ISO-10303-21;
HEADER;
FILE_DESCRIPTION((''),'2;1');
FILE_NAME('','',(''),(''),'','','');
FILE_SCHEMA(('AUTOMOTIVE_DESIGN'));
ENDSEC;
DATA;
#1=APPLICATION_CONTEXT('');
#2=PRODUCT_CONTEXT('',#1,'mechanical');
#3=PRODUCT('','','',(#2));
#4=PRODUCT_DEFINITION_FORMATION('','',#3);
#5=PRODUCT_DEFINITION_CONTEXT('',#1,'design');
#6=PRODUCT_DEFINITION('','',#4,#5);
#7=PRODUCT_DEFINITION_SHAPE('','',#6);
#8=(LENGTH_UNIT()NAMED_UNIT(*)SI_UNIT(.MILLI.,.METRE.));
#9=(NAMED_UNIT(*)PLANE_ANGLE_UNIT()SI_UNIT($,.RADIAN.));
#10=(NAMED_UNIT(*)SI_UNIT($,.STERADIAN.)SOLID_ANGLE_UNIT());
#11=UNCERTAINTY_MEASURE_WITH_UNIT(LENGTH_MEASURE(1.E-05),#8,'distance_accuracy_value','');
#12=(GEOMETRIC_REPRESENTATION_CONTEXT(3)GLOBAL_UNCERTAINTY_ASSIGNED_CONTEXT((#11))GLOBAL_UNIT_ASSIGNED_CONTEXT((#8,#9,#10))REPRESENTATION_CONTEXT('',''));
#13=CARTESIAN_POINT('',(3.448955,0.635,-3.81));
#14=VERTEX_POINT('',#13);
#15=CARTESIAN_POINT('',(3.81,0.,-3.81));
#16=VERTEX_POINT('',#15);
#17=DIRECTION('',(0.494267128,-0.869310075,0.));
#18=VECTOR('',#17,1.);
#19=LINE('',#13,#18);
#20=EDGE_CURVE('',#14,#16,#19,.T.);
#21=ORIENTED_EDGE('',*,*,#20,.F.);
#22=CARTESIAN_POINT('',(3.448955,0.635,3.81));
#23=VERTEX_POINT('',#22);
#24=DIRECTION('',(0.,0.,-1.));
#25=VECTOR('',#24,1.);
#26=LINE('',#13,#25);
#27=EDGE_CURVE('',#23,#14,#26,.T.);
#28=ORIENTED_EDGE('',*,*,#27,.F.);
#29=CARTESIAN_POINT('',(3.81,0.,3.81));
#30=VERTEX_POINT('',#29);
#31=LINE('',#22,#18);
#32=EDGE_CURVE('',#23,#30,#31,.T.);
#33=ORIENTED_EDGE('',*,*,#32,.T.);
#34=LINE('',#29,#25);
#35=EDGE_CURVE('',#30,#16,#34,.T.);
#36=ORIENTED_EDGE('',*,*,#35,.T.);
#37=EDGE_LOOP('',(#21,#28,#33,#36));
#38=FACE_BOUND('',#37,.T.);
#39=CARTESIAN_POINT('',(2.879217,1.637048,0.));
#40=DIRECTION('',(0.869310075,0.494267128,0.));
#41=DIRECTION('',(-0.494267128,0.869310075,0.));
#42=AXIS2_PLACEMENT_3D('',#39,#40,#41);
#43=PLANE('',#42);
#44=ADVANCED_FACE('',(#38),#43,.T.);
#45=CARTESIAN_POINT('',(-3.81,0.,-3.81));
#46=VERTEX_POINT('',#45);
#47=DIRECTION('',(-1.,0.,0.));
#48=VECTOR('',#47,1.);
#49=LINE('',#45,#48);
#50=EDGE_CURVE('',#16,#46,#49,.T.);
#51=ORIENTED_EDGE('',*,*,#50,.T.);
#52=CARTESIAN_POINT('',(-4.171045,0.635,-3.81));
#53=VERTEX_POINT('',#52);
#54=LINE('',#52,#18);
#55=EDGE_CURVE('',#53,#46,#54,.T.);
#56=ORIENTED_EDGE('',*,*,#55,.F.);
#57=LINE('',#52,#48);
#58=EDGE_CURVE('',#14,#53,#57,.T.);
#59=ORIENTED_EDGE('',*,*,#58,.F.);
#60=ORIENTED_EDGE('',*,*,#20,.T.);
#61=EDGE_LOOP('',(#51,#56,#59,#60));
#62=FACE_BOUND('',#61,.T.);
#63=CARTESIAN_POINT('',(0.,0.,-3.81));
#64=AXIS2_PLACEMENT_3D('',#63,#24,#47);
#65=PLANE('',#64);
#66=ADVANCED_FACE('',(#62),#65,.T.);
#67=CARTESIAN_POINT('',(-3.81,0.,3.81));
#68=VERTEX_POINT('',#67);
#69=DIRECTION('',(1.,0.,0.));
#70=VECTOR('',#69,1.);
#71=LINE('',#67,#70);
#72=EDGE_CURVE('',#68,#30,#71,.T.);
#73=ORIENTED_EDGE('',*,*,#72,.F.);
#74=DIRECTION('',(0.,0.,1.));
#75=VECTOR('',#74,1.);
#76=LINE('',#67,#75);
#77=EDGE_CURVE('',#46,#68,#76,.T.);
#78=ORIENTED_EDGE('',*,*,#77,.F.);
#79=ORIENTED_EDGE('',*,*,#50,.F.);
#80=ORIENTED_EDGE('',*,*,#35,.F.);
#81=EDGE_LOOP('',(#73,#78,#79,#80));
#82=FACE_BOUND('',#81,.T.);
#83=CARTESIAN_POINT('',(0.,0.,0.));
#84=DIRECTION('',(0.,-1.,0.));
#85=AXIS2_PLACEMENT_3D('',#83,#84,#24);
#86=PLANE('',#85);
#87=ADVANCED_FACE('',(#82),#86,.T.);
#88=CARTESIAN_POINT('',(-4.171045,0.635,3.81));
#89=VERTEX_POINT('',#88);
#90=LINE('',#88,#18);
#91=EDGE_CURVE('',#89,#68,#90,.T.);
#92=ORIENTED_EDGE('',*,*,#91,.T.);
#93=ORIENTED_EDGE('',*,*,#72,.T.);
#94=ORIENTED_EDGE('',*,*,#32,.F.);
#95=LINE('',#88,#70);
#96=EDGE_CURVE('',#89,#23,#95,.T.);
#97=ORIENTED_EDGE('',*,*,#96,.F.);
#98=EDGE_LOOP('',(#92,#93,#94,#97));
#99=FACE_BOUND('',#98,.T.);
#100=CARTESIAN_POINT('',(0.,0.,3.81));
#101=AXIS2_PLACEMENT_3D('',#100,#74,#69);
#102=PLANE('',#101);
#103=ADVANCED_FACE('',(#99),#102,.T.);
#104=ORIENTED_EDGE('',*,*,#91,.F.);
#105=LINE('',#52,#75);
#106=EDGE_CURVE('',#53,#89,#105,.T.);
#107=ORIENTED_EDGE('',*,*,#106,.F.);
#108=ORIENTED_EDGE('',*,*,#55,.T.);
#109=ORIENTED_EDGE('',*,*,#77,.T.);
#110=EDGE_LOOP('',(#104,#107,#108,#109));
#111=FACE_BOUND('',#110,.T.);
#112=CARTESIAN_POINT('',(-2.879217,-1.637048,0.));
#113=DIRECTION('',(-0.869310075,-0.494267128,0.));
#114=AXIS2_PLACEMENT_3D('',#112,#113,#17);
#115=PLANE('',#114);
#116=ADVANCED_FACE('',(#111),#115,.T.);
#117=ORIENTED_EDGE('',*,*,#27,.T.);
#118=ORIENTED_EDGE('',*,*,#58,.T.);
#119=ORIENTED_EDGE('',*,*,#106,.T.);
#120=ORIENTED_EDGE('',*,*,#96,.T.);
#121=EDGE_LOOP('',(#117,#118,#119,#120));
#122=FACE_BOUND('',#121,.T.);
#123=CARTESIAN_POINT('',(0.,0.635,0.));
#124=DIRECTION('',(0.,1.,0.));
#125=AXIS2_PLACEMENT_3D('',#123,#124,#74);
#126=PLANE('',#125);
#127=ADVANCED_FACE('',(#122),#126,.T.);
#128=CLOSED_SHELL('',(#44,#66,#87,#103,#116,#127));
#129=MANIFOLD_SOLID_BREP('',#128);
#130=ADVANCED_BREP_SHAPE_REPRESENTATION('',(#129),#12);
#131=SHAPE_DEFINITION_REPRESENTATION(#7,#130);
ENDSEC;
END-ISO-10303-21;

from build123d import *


with BuildPart() as part:
    # Sketch2 → Loft1 section 0
    with BuildSketch(Plane(origin=(0, 0.635, 0), x_dir=(1, 0, 0), z_dir=(0, 1, 0))):
        with BuildLine():
            Line((-4.171044505, 3.81), (3.448955495, 3.81))
            Line((3.448955495, 3.81), (3.448955495, -3.81))
            Line((3.448955495, -3.81), (-4.171044505, -3.81))
            Line((-4.171044505, -3.81), (-4.171044505, 3.81))
        make_face()
    # Sketch1 → Loft1 section 1
    with BuildSketch(Plane(origin=(0, 0, 0), x_dir=(1, 0, 0), z_dir=(0, 1, 0))):
        with BuildLine():
            Line((-3.81, -3.81), (3.81, -3.81))
            Line((3.81, -3.81), (3.81, 3.81))
            Line((3.81, 3.81), (-3.81, 3.81))
            Line((-3.81, 3.81), (-3.81, -3.81))
        make_face()
    loft()


solid = part.part
